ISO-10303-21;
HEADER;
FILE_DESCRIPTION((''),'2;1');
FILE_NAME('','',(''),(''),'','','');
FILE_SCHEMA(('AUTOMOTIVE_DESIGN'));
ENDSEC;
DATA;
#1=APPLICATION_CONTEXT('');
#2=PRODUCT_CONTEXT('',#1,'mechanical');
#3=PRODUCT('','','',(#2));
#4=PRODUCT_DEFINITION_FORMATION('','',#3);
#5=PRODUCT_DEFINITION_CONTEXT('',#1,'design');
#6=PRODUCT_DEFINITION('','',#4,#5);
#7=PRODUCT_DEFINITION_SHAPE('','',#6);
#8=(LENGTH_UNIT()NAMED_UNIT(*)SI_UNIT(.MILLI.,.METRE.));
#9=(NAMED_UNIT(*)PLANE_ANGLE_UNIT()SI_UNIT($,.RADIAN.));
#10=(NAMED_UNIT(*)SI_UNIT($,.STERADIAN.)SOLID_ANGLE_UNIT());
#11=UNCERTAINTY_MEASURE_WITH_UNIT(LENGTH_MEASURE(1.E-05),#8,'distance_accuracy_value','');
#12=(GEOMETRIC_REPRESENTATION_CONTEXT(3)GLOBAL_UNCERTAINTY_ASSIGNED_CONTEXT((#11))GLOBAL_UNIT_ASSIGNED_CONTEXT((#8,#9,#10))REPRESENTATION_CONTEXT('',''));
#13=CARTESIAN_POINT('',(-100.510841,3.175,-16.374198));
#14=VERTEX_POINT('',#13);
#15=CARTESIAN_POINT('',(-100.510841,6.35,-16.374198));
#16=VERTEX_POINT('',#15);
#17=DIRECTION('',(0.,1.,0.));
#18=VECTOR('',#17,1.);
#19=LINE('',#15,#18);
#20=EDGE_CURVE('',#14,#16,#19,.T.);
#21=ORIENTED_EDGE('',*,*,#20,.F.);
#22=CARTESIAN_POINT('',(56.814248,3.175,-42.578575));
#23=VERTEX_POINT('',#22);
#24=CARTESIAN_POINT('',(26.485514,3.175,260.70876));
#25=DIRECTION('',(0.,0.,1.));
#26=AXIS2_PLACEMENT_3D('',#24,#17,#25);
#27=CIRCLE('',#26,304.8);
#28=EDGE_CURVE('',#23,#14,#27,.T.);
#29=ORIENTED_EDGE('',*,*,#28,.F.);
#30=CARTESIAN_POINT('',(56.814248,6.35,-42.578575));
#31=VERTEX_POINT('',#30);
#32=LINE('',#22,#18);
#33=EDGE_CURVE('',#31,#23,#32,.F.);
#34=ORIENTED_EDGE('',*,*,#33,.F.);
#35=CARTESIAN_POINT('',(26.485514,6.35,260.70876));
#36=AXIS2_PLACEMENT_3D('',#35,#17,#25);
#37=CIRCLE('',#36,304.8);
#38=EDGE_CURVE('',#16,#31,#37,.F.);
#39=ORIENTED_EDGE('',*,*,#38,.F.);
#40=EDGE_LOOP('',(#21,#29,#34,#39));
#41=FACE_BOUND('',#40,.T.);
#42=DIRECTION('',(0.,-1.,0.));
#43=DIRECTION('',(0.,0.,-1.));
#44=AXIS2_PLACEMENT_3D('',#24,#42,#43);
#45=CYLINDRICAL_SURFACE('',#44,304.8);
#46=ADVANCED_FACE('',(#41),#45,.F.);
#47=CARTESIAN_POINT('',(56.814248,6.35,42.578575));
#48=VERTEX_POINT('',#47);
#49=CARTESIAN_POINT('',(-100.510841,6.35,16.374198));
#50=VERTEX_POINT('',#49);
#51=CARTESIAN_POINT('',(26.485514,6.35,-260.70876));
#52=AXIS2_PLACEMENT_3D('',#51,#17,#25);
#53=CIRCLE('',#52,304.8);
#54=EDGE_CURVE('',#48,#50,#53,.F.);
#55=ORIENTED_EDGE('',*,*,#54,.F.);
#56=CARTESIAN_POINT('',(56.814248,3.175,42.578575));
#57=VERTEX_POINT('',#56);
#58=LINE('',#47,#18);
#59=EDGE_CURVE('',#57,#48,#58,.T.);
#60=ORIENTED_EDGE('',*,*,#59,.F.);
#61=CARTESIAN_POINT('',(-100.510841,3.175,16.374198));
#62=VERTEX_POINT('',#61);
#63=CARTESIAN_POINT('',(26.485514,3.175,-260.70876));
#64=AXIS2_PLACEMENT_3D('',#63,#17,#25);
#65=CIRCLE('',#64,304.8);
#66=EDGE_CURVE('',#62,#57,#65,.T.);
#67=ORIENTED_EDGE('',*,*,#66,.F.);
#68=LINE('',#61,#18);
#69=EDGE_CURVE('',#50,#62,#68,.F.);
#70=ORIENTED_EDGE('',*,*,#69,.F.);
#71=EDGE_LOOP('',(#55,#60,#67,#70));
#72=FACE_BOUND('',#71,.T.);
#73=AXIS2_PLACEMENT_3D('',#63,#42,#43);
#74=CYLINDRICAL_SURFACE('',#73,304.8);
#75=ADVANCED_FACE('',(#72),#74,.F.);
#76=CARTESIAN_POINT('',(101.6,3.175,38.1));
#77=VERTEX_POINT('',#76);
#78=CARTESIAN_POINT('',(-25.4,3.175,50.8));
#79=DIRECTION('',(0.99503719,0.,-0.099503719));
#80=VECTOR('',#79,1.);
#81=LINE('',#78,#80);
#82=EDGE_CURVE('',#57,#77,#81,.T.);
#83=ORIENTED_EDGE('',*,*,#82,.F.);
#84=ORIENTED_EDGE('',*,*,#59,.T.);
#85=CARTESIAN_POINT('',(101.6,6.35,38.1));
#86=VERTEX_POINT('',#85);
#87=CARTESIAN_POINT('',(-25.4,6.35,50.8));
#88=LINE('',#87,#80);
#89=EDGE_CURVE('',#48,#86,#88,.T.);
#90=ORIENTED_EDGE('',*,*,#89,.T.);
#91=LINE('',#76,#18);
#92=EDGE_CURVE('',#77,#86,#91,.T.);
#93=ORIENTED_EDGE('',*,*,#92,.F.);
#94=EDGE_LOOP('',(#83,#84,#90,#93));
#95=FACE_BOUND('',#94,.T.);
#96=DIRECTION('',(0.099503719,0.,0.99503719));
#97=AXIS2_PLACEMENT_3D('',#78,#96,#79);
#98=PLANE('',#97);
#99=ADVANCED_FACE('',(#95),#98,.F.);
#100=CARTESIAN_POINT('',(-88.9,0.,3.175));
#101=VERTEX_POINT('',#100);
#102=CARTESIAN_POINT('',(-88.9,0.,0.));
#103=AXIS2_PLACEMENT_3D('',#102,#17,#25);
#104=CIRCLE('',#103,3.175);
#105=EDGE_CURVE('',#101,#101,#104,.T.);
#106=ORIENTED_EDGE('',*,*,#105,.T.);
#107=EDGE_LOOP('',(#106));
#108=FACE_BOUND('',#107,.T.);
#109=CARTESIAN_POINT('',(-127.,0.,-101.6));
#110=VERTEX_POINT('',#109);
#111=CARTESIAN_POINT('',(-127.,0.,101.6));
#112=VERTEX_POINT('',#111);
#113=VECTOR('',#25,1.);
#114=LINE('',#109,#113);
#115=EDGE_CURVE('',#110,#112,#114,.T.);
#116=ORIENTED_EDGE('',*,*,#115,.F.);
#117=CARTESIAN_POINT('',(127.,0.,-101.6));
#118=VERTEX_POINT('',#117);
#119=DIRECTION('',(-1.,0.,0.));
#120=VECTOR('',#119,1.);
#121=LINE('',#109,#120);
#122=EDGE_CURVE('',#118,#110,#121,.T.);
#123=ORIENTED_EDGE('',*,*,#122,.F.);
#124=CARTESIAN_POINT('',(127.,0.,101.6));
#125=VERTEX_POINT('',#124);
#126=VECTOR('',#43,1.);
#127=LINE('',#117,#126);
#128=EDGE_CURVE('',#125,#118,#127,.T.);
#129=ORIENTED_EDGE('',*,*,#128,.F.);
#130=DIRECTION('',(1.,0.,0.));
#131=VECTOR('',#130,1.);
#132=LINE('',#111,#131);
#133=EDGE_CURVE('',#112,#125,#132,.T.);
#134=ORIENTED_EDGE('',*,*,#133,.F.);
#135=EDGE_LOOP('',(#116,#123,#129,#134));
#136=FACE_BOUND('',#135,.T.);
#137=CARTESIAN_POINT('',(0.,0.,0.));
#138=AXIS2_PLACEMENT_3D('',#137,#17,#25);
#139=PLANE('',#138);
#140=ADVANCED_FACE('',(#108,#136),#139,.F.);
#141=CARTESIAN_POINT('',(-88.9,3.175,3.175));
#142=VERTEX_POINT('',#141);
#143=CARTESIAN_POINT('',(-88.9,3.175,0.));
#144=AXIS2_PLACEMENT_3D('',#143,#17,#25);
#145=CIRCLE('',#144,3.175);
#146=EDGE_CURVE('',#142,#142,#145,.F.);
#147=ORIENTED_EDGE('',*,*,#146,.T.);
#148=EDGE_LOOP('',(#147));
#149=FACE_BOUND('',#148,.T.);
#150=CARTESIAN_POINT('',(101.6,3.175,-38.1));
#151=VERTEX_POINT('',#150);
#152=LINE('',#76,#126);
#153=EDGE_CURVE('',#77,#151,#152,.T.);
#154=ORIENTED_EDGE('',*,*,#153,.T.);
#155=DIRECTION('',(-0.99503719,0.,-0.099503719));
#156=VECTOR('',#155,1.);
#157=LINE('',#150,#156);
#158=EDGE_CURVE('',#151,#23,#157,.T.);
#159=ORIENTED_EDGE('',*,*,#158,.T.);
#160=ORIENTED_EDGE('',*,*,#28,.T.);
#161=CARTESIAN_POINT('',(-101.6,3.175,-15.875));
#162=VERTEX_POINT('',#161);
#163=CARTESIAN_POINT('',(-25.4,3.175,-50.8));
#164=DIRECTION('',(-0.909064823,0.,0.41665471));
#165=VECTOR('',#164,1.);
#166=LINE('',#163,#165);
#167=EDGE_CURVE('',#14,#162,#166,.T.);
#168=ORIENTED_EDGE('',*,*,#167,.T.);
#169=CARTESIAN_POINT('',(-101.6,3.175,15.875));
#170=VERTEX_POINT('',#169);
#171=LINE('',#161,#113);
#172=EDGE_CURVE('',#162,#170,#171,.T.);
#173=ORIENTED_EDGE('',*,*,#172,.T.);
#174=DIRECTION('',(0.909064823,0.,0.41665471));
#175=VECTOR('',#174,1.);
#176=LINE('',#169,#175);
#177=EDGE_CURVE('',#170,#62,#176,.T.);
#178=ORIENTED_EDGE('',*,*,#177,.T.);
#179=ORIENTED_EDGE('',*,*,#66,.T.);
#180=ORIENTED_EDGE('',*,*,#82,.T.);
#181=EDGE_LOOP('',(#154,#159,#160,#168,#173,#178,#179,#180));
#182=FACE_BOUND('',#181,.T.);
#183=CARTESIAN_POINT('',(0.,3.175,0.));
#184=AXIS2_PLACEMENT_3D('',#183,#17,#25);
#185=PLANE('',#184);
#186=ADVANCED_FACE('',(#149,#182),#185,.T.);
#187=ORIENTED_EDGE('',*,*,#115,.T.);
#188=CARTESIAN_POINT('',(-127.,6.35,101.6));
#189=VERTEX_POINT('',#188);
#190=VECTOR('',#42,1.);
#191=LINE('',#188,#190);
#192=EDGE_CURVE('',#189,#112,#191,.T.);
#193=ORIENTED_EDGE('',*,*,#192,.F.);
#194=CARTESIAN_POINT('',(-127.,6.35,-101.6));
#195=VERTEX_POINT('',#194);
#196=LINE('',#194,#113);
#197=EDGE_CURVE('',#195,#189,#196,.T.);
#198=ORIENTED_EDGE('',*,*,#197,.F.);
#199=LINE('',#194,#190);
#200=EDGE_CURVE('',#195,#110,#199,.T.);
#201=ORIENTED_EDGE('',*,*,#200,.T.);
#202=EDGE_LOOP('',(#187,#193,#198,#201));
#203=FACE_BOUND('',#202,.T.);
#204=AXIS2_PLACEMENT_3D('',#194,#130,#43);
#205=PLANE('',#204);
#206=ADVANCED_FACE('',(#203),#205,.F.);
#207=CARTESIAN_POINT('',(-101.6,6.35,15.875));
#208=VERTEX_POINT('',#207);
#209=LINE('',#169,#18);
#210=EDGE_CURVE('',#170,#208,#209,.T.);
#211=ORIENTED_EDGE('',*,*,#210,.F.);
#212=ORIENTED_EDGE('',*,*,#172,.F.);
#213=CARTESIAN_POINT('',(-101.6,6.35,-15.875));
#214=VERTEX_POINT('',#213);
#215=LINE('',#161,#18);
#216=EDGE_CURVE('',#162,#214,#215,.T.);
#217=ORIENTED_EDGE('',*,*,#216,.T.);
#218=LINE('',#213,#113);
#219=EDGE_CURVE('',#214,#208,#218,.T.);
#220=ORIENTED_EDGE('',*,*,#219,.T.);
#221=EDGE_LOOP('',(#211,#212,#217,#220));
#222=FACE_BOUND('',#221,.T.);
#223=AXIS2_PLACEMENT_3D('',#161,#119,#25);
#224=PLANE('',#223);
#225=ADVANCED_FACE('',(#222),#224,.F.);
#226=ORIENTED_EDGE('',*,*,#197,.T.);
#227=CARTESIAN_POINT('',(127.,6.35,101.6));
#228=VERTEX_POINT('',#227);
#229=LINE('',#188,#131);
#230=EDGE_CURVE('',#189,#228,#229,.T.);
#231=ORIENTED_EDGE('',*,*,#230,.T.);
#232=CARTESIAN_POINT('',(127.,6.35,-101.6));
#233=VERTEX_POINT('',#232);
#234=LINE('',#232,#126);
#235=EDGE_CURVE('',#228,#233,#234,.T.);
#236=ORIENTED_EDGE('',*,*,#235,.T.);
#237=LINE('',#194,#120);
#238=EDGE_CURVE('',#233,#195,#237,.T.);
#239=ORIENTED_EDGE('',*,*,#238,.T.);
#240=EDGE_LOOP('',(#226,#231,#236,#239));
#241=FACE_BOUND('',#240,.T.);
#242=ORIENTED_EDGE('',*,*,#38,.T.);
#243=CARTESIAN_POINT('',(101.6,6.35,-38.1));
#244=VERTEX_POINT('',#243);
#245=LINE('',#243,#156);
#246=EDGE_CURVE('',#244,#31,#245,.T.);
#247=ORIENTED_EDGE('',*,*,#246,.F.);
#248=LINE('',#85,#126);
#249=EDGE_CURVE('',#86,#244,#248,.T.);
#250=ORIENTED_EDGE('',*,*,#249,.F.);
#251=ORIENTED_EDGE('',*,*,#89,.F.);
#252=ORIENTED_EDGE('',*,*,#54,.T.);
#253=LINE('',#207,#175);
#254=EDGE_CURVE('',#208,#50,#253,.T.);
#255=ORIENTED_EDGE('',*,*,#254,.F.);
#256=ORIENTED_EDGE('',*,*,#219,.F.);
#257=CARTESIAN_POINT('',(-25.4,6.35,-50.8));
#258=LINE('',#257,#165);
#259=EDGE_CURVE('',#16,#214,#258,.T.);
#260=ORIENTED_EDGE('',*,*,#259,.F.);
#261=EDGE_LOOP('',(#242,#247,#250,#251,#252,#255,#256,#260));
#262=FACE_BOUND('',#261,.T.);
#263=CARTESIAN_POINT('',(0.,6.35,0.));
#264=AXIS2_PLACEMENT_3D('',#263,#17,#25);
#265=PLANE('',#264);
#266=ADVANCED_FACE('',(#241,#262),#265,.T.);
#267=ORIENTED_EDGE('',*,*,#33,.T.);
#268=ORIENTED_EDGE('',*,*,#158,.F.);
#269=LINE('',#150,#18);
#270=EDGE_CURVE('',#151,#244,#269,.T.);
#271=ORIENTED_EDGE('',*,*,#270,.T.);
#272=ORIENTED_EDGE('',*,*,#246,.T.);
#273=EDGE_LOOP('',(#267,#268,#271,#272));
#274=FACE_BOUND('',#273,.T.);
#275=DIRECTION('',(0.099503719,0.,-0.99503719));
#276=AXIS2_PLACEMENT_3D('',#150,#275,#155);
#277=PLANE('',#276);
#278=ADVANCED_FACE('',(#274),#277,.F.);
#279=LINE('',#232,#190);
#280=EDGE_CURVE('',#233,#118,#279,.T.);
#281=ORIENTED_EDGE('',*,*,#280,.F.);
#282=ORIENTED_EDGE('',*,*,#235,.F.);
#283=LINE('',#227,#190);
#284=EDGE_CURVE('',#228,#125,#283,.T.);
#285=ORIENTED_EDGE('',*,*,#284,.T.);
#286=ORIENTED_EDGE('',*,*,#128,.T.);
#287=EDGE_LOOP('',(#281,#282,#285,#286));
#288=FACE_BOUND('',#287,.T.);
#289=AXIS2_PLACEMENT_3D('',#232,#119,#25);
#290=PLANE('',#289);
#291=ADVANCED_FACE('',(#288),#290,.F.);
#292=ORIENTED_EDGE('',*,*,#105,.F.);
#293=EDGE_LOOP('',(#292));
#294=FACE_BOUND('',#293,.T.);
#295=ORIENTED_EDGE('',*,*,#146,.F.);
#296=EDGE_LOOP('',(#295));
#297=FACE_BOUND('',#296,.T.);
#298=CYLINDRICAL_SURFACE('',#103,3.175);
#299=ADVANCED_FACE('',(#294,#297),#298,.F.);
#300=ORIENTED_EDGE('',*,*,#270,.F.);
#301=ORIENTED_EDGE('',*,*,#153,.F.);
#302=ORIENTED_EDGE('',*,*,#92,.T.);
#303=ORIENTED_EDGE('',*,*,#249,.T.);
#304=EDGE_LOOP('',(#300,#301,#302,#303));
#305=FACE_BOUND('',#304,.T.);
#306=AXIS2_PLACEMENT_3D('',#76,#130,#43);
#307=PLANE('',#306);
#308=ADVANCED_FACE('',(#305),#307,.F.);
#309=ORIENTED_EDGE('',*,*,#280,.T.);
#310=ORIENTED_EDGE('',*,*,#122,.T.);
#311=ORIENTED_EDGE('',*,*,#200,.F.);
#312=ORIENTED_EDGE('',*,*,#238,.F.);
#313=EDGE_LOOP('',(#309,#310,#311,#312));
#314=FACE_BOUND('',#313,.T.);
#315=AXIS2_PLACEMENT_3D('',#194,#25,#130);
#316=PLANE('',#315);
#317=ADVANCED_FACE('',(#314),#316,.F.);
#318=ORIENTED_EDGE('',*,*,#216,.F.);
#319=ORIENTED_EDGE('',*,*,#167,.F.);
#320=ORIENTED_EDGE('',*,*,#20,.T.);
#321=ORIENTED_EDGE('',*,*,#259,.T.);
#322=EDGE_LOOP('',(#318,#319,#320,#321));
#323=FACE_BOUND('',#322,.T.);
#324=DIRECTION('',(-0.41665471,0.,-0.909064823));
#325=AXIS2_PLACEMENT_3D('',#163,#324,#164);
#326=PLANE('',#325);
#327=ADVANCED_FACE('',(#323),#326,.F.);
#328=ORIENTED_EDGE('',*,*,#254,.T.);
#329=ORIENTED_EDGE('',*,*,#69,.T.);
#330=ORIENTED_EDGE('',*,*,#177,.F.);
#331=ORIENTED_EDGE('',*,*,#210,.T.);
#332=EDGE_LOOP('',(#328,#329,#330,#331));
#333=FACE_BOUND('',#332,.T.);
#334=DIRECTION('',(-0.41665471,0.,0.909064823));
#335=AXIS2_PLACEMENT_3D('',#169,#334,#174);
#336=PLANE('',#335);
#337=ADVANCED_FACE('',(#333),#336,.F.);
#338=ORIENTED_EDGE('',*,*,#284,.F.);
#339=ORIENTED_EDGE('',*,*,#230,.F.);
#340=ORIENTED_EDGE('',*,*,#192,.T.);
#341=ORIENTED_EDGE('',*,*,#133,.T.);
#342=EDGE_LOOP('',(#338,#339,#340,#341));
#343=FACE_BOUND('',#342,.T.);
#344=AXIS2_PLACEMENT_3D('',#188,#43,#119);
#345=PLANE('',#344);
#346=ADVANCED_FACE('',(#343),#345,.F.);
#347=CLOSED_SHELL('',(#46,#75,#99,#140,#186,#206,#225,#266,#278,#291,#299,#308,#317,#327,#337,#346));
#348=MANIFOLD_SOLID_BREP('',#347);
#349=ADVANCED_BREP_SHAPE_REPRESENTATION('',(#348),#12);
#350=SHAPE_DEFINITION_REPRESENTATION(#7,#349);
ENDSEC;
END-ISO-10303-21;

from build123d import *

# Parameters (mm, degrees)
SKETCH1_W           = 254
SKETCH1_H           = 203.2
BOSS_EXTRUDE1_DEPTH = 6.35
SKETCH2_R           = 3.175
CUT_EXTRUDE1_DEPTH  = 6.35
CUT_EXTRUDE3_DEPTH  = 3.175
FILLET2_R           = 304.8


with BuildPart() as part:
    # Sketch1 → Boss-Extrude1 (new body)
    with BuildSketch(Plane(origin=(0, 0, 0), x_dir=(1, 0, 0), z_dir=(0, 1, 0))):
        Rectangle(SKETCH1_W, SKETCH1_H)
    extrude(amount=BOSS_EXTRUDE1_DEPTH)

    # Sketch2 → Cut-Extrude1 (cut)
    with BuildSketch(Plane(origin=(0, 6.35, 0), x_dir=(1, 0, 0), z_dir=(0, 1, 0))):
        with Locations((-88.9, 0)):
            Circle(SKETCH2_R)
    extrude(amount=-CUT_EXTRUDE1_DEPTH, mode=Mode.SUBTRACT)

    # Sketch5 → Cut-Extrude3 (cut)
    with BuildSketch(Plane(origin=(0, 6.35, 0), x_dir=(1, 0, 0), z_dir=(0, 1, 0))):
        Polygon((-101.6, 15.875), (-101.6, -15.875), (-25.4, -50.8), (101.6, -38.1), (101.6, 38.1), (-25.4, 50.8), align=None)
    extrude(amount=-CUT_EXTRUDE3_DEPTH, mode=Mode.SUBTRACT)

    # Fillet2
    fillet2_edges = [part.edges().sort_by_distance(p)[0] for p in [
        (-25.4, 4.7625, -50.8),
        (-25.4, 4.7625, 50.8),
    ]]
    fillet(fillet2_edges, radius=FILLET2_R)


solid = part.part
